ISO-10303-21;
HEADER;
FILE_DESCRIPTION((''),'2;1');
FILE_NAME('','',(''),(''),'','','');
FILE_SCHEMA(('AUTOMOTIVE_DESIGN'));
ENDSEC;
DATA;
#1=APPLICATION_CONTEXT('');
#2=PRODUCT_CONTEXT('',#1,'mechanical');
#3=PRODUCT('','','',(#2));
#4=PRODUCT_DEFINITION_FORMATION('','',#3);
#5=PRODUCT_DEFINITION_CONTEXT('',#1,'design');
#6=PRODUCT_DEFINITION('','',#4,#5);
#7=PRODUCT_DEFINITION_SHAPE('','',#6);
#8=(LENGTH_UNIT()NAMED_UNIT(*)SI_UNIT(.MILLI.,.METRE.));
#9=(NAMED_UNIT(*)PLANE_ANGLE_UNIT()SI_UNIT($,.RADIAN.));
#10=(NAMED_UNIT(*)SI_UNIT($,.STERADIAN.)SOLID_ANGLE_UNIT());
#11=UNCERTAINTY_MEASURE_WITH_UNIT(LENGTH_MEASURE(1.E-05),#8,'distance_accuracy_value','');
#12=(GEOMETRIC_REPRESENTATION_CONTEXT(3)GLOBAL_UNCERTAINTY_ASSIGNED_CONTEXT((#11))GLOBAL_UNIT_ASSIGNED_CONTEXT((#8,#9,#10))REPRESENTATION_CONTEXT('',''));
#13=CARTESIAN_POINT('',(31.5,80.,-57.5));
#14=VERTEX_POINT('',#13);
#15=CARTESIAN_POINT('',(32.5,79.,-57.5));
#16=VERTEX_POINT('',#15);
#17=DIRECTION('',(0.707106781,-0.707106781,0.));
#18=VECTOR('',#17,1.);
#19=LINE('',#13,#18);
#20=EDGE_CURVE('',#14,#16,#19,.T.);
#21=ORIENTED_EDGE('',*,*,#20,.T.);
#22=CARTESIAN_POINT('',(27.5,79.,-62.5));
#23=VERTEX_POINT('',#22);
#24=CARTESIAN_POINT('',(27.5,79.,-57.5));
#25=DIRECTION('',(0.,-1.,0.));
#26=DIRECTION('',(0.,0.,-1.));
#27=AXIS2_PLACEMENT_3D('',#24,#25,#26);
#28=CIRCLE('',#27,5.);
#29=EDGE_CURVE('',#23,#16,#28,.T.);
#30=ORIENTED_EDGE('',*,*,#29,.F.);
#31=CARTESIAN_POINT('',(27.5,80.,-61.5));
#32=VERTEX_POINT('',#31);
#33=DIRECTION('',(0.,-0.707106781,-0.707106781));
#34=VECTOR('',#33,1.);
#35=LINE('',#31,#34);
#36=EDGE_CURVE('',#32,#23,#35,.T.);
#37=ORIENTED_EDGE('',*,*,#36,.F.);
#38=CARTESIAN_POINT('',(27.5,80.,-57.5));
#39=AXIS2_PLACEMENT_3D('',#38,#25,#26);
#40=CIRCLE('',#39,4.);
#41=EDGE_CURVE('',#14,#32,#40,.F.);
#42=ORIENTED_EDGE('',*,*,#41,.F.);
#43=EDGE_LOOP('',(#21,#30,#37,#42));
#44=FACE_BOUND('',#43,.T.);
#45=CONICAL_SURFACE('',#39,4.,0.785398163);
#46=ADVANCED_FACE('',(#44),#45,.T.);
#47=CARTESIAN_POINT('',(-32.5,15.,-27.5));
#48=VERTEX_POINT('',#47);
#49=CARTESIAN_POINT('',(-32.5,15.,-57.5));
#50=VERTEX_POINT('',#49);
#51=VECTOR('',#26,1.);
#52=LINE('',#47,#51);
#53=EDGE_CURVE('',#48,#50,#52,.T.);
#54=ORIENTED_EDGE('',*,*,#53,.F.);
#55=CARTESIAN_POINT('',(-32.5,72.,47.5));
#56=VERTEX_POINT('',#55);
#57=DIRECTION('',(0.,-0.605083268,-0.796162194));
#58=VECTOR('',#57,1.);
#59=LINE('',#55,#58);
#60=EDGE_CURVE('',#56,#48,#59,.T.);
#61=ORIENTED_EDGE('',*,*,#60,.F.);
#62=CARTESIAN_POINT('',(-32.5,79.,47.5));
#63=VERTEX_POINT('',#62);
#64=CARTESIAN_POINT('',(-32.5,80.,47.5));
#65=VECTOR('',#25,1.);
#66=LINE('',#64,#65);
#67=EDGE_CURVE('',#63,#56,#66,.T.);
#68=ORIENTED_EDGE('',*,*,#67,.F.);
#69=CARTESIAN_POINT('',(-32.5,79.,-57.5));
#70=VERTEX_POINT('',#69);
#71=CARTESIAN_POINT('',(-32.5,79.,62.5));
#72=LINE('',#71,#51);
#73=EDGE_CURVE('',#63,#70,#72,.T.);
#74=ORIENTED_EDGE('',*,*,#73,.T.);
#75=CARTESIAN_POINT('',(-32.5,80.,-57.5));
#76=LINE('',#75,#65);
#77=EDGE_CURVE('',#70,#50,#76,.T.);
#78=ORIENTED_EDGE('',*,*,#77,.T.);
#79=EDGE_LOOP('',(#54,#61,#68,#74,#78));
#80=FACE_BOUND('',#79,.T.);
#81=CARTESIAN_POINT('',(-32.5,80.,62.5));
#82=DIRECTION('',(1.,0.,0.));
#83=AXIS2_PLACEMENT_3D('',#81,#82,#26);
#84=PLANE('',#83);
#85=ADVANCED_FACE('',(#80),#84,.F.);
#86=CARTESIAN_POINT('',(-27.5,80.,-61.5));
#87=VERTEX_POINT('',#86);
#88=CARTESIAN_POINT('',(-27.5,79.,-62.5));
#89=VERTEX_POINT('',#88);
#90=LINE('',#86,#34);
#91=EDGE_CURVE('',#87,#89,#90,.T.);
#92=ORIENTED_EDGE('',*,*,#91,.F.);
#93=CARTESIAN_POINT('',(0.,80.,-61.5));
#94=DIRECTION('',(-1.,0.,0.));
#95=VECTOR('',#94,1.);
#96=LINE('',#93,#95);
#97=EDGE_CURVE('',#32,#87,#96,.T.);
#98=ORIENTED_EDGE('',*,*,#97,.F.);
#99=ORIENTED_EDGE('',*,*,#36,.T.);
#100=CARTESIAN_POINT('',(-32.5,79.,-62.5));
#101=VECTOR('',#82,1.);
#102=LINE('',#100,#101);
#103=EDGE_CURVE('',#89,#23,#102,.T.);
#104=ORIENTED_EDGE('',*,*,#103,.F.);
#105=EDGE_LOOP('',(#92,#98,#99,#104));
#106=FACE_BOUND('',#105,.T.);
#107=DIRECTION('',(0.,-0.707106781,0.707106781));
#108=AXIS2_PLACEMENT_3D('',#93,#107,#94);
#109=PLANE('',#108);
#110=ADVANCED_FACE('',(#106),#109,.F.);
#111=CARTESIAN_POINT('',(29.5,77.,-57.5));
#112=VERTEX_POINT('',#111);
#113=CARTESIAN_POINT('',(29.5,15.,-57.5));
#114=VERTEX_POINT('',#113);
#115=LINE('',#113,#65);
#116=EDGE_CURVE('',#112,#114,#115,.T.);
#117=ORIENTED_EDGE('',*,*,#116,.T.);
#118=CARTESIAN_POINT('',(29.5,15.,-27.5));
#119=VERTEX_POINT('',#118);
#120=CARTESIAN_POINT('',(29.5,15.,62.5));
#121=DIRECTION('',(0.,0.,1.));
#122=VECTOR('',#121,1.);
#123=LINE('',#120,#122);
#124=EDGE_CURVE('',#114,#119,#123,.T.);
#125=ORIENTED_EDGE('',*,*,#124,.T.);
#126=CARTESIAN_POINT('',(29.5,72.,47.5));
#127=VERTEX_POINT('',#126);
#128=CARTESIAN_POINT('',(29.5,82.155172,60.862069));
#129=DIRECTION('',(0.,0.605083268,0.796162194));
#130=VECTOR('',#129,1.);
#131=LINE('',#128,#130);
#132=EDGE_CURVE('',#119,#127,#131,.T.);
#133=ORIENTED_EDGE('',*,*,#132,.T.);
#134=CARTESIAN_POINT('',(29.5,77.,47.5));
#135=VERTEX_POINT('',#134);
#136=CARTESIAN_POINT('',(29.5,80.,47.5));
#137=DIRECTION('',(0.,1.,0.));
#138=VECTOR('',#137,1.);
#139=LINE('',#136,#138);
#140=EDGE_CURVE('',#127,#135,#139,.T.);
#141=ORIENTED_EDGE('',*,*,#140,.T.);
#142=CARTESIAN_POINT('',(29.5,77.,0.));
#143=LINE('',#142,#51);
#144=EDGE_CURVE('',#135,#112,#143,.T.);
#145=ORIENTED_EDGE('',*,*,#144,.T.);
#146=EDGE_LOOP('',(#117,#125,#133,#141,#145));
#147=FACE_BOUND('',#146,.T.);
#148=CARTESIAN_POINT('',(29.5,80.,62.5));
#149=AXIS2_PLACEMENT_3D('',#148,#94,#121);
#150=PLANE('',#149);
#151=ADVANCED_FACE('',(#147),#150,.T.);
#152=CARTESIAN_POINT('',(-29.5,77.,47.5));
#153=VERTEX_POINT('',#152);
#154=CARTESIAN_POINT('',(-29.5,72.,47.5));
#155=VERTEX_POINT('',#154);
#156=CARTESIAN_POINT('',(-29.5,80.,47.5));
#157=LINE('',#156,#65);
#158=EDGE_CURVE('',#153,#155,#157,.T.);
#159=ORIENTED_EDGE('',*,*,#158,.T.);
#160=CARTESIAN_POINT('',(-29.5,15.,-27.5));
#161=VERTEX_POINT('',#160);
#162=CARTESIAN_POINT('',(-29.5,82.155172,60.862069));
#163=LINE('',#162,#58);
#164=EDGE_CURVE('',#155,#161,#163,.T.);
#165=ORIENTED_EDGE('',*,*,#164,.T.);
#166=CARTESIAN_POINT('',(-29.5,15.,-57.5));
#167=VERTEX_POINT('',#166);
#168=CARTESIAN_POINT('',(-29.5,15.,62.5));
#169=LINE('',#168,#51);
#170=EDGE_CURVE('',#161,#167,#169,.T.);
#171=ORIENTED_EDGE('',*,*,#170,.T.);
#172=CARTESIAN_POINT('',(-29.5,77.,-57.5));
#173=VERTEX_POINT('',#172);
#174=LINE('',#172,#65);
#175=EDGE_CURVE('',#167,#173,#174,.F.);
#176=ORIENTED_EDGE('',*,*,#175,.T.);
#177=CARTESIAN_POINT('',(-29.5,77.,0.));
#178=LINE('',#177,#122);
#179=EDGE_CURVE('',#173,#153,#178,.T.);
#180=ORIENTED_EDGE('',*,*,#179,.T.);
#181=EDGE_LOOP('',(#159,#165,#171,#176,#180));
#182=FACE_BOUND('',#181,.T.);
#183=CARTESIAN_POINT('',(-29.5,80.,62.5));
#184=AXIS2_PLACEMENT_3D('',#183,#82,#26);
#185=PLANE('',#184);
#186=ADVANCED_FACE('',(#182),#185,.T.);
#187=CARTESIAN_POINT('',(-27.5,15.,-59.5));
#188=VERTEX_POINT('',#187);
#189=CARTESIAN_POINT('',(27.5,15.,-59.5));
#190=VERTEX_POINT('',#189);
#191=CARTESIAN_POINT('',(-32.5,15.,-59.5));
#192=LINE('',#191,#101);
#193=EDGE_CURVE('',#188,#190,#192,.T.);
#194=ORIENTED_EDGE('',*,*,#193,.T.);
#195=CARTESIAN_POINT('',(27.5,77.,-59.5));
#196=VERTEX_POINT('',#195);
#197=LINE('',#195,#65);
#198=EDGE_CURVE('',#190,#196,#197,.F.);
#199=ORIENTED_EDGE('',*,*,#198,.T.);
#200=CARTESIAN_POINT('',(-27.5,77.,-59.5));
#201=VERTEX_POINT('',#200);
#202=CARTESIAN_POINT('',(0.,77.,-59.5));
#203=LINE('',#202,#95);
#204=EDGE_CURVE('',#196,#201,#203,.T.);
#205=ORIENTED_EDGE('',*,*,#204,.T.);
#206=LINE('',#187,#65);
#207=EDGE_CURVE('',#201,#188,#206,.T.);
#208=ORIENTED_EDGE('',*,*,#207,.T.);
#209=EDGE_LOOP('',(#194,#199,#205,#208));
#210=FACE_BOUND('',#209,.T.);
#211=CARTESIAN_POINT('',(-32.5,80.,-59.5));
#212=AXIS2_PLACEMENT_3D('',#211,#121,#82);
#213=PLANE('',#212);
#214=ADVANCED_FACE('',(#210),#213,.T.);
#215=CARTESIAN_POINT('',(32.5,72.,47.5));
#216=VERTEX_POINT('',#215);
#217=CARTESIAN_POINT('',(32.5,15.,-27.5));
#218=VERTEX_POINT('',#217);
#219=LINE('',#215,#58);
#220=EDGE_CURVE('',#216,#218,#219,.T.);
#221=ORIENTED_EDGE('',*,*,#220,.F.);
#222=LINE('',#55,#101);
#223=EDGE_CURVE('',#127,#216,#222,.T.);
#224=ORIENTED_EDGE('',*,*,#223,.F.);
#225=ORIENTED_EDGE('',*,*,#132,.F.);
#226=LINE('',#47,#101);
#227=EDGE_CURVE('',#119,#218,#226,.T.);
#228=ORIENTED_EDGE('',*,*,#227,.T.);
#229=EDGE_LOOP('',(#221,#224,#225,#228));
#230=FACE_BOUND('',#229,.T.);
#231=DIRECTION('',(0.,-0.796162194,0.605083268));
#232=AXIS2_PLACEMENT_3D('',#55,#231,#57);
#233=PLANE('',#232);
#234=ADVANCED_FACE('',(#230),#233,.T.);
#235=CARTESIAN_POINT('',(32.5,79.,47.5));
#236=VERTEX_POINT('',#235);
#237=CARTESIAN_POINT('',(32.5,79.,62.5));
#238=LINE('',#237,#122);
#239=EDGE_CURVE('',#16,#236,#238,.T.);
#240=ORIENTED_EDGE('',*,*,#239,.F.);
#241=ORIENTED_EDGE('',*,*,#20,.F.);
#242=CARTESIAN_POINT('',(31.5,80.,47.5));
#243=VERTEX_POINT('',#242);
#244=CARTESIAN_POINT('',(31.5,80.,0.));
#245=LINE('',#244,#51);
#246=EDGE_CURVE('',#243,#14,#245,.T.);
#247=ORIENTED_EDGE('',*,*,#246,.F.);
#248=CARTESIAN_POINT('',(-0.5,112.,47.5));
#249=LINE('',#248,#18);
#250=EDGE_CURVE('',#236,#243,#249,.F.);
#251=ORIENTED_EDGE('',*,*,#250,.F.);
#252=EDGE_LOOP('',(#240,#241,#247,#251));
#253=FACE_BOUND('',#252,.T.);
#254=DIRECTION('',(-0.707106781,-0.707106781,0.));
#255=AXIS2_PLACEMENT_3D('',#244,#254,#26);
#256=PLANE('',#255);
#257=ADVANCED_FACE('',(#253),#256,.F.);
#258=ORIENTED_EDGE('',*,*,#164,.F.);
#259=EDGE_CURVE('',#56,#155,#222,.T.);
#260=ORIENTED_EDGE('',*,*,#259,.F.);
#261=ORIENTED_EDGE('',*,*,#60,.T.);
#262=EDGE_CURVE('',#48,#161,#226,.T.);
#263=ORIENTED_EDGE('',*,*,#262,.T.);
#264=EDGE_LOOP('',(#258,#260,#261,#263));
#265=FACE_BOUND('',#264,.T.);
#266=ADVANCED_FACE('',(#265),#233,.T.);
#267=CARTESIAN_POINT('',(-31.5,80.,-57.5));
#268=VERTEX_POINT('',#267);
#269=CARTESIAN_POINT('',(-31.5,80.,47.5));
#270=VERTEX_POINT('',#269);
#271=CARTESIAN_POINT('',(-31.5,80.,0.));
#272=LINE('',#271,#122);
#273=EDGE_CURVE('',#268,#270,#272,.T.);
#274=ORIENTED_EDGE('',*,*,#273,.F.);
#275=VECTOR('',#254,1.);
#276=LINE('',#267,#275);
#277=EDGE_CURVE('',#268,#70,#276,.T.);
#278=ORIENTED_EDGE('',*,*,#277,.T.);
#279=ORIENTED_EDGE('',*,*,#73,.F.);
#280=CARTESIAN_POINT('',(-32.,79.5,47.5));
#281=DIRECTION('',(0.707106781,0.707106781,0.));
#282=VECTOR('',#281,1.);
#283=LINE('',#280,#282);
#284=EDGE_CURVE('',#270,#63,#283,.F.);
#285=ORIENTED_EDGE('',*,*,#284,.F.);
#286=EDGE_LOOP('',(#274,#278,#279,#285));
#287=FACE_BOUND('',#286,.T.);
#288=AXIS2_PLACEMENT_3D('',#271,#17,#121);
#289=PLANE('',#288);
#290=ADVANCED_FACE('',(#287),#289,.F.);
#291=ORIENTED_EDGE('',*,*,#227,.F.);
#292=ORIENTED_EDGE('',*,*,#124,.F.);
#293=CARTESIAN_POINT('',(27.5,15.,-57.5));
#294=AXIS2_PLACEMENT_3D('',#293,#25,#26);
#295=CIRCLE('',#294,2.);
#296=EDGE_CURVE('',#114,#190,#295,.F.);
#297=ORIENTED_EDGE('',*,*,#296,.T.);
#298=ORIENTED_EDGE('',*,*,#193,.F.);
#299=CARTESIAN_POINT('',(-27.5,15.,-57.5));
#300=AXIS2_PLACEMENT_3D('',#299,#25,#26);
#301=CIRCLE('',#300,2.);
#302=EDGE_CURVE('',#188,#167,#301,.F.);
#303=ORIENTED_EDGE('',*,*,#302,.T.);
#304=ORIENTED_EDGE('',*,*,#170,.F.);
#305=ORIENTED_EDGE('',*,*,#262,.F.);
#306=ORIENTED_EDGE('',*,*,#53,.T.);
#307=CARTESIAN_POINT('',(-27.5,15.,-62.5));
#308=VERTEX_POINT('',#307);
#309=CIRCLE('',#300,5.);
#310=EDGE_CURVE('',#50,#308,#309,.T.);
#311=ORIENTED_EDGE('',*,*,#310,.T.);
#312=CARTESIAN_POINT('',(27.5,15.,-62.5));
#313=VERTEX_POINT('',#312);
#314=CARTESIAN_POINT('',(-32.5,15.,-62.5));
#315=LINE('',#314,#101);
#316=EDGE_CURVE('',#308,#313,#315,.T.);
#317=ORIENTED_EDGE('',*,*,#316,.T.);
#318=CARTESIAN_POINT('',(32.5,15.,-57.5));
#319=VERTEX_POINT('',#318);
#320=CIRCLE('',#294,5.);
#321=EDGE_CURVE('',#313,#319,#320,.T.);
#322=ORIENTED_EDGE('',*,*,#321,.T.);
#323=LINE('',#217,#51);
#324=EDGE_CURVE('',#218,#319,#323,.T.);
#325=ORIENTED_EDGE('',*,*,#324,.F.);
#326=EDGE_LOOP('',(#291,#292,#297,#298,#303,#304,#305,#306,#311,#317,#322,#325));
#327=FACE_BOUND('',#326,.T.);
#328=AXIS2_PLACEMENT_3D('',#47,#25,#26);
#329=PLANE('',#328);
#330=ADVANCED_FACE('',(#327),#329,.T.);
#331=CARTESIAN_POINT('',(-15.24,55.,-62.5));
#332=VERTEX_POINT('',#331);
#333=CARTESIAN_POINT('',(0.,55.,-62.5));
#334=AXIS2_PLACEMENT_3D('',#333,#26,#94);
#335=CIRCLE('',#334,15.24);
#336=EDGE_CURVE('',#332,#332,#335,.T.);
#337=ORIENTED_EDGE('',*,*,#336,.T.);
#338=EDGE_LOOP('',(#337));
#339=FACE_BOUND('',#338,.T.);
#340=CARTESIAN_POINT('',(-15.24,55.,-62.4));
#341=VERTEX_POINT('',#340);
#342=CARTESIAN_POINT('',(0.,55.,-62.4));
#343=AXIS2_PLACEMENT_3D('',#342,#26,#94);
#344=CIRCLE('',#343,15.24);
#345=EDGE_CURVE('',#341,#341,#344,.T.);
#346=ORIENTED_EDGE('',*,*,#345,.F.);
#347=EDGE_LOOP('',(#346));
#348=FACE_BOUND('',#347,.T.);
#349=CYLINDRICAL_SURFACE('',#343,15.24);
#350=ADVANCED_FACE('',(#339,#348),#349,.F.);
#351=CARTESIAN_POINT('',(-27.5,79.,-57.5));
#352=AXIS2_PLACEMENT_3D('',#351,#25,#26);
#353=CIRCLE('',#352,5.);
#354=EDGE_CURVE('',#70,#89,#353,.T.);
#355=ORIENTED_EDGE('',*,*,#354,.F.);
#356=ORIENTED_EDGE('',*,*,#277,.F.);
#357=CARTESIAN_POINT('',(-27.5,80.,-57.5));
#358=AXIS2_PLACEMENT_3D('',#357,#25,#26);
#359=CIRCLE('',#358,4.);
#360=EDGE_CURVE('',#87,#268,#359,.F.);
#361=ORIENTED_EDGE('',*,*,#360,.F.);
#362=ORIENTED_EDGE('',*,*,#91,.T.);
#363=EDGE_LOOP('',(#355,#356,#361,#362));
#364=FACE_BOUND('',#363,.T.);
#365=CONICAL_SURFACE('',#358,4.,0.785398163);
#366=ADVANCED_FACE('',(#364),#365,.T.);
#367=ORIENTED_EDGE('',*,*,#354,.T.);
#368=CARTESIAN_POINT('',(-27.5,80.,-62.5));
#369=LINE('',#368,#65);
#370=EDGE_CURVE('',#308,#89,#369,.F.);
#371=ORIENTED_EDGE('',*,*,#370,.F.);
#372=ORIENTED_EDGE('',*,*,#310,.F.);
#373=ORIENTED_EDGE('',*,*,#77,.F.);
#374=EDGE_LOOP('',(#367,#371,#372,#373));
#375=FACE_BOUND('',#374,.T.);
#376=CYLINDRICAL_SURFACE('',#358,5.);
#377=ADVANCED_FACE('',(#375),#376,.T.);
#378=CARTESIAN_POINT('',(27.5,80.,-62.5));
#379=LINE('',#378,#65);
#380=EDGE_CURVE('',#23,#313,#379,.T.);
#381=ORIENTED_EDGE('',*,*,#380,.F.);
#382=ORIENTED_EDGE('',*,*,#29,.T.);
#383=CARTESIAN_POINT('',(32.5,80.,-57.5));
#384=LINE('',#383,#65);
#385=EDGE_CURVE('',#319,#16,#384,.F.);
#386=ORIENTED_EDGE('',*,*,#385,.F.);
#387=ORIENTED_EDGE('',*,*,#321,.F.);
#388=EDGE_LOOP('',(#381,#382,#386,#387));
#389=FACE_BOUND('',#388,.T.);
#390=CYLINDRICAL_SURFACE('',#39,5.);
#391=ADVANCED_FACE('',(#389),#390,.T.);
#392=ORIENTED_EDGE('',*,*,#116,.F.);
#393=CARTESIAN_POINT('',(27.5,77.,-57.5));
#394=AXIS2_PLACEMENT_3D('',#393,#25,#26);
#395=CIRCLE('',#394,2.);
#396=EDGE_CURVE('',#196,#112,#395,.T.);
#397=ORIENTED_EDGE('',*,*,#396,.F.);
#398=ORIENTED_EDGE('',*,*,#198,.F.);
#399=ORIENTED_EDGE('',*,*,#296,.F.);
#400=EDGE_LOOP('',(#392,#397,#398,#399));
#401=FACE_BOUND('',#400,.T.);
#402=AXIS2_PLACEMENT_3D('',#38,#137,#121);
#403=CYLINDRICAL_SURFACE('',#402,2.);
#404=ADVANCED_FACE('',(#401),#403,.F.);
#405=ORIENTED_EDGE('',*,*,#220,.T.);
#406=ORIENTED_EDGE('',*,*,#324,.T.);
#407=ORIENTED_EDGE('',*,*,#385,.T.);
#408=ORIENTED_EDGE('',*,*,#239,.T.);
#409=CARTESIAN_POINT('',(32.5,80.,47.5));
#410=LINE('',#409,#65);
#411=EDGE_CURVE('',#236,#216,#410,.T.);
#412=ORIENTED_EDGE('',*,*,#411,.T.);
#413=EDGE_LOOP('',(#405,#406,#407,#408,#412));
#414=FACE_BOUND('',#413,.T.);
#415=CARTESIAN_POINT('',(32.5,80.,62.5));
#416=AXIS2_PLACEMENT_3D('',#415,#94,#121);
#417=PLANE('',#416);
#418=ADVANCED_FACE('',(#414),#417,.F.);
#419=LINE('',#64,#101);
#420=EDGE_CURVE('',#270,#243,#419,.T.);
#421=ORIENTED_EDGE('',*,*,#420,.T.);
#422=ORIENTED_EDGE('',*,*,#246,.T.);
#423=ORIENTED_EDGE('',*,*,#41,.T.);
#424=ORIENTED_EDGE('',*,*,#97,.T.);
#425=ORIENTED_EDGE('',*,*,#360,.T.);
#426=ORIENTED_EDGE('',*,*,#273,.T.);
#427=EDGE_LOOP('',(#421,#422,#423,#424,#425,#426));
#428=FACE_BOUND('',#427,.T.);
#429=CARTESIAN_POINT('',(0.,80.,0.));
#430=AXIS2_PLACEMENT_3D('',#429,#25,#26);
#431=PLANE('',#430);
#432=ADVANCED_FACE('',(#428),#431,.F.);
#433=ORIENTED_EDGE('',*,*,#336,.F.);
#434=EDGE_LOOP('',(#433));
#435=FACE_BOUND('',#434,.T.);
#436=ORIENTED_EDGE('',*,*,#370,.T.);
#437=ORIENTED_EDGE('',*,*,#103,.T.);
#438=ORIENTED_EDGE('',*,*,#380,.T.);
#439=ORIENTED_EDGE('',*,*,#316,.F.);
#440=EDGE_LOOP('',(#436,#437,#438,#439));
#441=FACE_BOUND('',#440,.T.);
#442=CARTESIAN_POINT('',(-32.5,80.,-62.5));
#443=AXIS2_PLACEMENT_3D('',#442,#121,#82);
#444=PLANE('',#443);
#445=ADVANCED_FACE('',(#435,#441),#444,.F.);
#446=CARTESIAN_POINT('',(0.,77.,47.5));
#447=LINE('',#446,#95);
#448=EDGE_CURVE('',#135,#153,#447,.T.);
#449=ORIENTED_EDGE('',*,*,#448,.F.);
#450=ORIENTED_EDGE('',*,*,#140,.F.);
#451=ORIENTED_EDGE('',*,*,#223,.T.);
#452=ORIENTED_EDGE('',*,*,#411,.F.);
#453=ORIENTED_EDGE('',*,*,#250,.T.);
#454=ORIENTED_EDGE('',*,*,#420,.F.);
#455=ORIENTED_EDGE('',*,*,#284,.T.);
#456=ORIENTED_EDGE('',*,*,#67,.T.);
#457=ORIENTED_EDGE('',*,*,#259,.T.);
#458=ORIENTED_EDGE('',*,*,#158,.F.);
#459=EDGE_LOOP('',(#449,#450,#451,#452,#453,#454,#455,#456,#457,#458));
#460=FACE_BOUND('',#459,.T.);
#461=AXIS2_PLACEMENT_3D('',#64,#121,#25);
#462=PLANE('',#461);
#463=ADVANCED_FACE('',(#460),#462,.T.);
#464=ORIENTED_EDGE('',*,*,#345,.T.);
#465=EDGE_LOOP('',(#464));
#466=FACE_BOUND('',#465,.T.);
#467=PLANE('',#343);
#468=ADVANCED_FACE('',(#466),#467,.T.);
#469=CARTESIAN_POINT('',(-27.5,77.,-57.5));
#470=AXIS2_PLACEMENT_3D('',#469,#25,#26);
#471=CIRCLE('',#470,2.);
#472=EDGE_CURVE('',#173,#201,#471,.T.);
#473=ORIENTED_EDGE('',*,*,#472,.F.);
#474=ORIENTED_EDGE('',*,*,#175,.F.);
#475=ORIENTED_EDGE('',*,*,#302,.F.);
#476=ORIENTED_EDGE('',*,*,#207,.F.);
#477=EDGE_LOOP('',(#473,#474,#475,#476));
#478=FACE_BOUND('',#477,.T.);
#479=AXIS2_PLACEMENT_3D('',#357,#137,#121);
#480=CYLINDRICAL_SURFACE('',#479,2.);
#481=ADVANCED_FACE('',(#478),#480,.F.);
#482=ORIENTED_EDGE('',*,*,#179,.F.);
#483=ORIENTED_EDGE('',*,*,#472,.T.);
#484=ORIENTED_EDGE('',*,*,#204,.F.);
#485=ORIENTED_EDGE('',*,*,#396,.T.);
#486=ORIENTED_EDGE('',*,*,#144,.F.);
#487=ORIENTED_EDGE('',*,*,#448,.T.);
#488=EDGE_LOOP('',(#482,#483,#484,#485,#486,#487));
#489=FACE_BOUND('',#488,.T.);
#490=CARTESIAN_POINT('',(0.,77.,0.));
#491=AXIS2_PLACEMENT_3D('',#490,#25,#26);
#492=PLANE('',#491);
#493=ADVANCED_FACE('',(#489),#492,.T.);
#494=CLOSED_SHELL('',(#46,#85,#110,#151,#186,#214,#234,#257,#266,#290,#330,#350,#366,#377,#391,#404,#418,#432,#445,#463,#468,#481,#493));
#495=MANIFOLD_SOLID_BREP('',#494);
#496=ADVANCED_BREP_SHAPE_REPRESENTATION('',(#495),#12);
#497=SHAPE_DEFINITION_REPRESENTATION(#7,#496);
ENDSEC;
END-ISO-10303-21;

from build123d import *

# Parameters (mm, degrees)
ESQUISSE1_W             = 65
ESQUISSE1_H             = 125
BOSS_EXTRU_1_DEPTH      = 80
COQUE1_T                = -3
ESQUISSE2_OUTSIDE_W     = 159.404
ESQUISSE2_OUTSIDE_H     = 114.404
ENL_V_MAT_EXTRU_1_DEPTH = 66
CONG_2_R                = 5
CONG_3_R                = 2
CHANFREIN1_SIZE         = 1
ESQUISSE3_R             = 15.24
ENL_V_MAT_EXTRU_2_DEPTH = 0.1


with BuildPart() as part:
    # Esquisse1 → Boss.-Extru.1 (new body)
    with BuildSketch(Plane(origin=(0, 0, 0), x_dir=(1, 0, 0), z_dir=(0, 1, 0))):
        Rectangle(ESQUISSE1_W, ESQUISSE1_H)
    extrude(amount=BOSS_EXTRU_1_DEPTH)

    # Coque1
    coque1_openings = [part.faces().sort_by_distance(p)[0] for p in [
        (0, 0, 0),
    ]]
    offset(amount=COQUE1_T, openings=coque1_openings, kind=Kind.INTERSECTION)

    # Esquisse2 outside → Enlèv. mat.-Extru.1 (cut, through all)
    with BuildSketch(Plane(origin=(32.5, 0, 0), x_dir=(0, 0, -1), z_dir=(1, 0, 0))):
        with Locations((0, 40)):
            Rectangle(ESQUISSE2_OUTSIDE_W, ESQUISSE2_OUTSIDE_H)
        Polygon((-47.5, 80), (-47.5, 72), (27.5, 15), (62.5, 15), (62.5, 80), align=None, mode=Mode.SUBTRACT)
    extrude(amount=-ENL_V_MAT_EXTRU_1_DEPTH, mode=Mode.SUBTRACT)

    # Congé2
    cong_2_edges = [part.edges().sort_by_distance(p)[0] for p in [
        (-32.5, 47.5, -62.5),
        (32.5, 47.5, -62.5),
    ]]
    fillet(cong_2_edges, radius=CONG_2_R)

    # Congé3
    cong_3_edges = [part.edges().sort_by_distance(p)[0] for p in [
        (29.5, 46, -59.5),
        (-29.5, 46, -59.5),
    ]]
    fillet(cong_3_edges, radius=CONG_3_R)

    # Chanfrein1
    chanfrein1_edges = [part.edges().sort_by_distance(p)[0] for p in [
        (32.5, 80, -5),
        (-32.5, 80, -5),
        (0, 80, -62.5),
        (31.035533906, 80, -61.035533906),
        (-31.035533906, 80, -61.035533906),
    ]]
    chamfer(chanfrein1_edges, length=CHANFREIN1_SIZE)

    # Esquisse3 → Enlèv. mat.-Extru.2 (cut)
    with BuildSketch(Plane(origin=(0, 0, -62.5), x_dir=(-1, 0, 0), z_dir=(0, 0, -1))):
        with Locations((0, 55)):
            Circle(ESQUISSE3_R)
    extrude(amount=-ENL_V_MAT_EXTRU_2_DEPTH, mode=Mode.SUBTRACT)


solid = part.part
